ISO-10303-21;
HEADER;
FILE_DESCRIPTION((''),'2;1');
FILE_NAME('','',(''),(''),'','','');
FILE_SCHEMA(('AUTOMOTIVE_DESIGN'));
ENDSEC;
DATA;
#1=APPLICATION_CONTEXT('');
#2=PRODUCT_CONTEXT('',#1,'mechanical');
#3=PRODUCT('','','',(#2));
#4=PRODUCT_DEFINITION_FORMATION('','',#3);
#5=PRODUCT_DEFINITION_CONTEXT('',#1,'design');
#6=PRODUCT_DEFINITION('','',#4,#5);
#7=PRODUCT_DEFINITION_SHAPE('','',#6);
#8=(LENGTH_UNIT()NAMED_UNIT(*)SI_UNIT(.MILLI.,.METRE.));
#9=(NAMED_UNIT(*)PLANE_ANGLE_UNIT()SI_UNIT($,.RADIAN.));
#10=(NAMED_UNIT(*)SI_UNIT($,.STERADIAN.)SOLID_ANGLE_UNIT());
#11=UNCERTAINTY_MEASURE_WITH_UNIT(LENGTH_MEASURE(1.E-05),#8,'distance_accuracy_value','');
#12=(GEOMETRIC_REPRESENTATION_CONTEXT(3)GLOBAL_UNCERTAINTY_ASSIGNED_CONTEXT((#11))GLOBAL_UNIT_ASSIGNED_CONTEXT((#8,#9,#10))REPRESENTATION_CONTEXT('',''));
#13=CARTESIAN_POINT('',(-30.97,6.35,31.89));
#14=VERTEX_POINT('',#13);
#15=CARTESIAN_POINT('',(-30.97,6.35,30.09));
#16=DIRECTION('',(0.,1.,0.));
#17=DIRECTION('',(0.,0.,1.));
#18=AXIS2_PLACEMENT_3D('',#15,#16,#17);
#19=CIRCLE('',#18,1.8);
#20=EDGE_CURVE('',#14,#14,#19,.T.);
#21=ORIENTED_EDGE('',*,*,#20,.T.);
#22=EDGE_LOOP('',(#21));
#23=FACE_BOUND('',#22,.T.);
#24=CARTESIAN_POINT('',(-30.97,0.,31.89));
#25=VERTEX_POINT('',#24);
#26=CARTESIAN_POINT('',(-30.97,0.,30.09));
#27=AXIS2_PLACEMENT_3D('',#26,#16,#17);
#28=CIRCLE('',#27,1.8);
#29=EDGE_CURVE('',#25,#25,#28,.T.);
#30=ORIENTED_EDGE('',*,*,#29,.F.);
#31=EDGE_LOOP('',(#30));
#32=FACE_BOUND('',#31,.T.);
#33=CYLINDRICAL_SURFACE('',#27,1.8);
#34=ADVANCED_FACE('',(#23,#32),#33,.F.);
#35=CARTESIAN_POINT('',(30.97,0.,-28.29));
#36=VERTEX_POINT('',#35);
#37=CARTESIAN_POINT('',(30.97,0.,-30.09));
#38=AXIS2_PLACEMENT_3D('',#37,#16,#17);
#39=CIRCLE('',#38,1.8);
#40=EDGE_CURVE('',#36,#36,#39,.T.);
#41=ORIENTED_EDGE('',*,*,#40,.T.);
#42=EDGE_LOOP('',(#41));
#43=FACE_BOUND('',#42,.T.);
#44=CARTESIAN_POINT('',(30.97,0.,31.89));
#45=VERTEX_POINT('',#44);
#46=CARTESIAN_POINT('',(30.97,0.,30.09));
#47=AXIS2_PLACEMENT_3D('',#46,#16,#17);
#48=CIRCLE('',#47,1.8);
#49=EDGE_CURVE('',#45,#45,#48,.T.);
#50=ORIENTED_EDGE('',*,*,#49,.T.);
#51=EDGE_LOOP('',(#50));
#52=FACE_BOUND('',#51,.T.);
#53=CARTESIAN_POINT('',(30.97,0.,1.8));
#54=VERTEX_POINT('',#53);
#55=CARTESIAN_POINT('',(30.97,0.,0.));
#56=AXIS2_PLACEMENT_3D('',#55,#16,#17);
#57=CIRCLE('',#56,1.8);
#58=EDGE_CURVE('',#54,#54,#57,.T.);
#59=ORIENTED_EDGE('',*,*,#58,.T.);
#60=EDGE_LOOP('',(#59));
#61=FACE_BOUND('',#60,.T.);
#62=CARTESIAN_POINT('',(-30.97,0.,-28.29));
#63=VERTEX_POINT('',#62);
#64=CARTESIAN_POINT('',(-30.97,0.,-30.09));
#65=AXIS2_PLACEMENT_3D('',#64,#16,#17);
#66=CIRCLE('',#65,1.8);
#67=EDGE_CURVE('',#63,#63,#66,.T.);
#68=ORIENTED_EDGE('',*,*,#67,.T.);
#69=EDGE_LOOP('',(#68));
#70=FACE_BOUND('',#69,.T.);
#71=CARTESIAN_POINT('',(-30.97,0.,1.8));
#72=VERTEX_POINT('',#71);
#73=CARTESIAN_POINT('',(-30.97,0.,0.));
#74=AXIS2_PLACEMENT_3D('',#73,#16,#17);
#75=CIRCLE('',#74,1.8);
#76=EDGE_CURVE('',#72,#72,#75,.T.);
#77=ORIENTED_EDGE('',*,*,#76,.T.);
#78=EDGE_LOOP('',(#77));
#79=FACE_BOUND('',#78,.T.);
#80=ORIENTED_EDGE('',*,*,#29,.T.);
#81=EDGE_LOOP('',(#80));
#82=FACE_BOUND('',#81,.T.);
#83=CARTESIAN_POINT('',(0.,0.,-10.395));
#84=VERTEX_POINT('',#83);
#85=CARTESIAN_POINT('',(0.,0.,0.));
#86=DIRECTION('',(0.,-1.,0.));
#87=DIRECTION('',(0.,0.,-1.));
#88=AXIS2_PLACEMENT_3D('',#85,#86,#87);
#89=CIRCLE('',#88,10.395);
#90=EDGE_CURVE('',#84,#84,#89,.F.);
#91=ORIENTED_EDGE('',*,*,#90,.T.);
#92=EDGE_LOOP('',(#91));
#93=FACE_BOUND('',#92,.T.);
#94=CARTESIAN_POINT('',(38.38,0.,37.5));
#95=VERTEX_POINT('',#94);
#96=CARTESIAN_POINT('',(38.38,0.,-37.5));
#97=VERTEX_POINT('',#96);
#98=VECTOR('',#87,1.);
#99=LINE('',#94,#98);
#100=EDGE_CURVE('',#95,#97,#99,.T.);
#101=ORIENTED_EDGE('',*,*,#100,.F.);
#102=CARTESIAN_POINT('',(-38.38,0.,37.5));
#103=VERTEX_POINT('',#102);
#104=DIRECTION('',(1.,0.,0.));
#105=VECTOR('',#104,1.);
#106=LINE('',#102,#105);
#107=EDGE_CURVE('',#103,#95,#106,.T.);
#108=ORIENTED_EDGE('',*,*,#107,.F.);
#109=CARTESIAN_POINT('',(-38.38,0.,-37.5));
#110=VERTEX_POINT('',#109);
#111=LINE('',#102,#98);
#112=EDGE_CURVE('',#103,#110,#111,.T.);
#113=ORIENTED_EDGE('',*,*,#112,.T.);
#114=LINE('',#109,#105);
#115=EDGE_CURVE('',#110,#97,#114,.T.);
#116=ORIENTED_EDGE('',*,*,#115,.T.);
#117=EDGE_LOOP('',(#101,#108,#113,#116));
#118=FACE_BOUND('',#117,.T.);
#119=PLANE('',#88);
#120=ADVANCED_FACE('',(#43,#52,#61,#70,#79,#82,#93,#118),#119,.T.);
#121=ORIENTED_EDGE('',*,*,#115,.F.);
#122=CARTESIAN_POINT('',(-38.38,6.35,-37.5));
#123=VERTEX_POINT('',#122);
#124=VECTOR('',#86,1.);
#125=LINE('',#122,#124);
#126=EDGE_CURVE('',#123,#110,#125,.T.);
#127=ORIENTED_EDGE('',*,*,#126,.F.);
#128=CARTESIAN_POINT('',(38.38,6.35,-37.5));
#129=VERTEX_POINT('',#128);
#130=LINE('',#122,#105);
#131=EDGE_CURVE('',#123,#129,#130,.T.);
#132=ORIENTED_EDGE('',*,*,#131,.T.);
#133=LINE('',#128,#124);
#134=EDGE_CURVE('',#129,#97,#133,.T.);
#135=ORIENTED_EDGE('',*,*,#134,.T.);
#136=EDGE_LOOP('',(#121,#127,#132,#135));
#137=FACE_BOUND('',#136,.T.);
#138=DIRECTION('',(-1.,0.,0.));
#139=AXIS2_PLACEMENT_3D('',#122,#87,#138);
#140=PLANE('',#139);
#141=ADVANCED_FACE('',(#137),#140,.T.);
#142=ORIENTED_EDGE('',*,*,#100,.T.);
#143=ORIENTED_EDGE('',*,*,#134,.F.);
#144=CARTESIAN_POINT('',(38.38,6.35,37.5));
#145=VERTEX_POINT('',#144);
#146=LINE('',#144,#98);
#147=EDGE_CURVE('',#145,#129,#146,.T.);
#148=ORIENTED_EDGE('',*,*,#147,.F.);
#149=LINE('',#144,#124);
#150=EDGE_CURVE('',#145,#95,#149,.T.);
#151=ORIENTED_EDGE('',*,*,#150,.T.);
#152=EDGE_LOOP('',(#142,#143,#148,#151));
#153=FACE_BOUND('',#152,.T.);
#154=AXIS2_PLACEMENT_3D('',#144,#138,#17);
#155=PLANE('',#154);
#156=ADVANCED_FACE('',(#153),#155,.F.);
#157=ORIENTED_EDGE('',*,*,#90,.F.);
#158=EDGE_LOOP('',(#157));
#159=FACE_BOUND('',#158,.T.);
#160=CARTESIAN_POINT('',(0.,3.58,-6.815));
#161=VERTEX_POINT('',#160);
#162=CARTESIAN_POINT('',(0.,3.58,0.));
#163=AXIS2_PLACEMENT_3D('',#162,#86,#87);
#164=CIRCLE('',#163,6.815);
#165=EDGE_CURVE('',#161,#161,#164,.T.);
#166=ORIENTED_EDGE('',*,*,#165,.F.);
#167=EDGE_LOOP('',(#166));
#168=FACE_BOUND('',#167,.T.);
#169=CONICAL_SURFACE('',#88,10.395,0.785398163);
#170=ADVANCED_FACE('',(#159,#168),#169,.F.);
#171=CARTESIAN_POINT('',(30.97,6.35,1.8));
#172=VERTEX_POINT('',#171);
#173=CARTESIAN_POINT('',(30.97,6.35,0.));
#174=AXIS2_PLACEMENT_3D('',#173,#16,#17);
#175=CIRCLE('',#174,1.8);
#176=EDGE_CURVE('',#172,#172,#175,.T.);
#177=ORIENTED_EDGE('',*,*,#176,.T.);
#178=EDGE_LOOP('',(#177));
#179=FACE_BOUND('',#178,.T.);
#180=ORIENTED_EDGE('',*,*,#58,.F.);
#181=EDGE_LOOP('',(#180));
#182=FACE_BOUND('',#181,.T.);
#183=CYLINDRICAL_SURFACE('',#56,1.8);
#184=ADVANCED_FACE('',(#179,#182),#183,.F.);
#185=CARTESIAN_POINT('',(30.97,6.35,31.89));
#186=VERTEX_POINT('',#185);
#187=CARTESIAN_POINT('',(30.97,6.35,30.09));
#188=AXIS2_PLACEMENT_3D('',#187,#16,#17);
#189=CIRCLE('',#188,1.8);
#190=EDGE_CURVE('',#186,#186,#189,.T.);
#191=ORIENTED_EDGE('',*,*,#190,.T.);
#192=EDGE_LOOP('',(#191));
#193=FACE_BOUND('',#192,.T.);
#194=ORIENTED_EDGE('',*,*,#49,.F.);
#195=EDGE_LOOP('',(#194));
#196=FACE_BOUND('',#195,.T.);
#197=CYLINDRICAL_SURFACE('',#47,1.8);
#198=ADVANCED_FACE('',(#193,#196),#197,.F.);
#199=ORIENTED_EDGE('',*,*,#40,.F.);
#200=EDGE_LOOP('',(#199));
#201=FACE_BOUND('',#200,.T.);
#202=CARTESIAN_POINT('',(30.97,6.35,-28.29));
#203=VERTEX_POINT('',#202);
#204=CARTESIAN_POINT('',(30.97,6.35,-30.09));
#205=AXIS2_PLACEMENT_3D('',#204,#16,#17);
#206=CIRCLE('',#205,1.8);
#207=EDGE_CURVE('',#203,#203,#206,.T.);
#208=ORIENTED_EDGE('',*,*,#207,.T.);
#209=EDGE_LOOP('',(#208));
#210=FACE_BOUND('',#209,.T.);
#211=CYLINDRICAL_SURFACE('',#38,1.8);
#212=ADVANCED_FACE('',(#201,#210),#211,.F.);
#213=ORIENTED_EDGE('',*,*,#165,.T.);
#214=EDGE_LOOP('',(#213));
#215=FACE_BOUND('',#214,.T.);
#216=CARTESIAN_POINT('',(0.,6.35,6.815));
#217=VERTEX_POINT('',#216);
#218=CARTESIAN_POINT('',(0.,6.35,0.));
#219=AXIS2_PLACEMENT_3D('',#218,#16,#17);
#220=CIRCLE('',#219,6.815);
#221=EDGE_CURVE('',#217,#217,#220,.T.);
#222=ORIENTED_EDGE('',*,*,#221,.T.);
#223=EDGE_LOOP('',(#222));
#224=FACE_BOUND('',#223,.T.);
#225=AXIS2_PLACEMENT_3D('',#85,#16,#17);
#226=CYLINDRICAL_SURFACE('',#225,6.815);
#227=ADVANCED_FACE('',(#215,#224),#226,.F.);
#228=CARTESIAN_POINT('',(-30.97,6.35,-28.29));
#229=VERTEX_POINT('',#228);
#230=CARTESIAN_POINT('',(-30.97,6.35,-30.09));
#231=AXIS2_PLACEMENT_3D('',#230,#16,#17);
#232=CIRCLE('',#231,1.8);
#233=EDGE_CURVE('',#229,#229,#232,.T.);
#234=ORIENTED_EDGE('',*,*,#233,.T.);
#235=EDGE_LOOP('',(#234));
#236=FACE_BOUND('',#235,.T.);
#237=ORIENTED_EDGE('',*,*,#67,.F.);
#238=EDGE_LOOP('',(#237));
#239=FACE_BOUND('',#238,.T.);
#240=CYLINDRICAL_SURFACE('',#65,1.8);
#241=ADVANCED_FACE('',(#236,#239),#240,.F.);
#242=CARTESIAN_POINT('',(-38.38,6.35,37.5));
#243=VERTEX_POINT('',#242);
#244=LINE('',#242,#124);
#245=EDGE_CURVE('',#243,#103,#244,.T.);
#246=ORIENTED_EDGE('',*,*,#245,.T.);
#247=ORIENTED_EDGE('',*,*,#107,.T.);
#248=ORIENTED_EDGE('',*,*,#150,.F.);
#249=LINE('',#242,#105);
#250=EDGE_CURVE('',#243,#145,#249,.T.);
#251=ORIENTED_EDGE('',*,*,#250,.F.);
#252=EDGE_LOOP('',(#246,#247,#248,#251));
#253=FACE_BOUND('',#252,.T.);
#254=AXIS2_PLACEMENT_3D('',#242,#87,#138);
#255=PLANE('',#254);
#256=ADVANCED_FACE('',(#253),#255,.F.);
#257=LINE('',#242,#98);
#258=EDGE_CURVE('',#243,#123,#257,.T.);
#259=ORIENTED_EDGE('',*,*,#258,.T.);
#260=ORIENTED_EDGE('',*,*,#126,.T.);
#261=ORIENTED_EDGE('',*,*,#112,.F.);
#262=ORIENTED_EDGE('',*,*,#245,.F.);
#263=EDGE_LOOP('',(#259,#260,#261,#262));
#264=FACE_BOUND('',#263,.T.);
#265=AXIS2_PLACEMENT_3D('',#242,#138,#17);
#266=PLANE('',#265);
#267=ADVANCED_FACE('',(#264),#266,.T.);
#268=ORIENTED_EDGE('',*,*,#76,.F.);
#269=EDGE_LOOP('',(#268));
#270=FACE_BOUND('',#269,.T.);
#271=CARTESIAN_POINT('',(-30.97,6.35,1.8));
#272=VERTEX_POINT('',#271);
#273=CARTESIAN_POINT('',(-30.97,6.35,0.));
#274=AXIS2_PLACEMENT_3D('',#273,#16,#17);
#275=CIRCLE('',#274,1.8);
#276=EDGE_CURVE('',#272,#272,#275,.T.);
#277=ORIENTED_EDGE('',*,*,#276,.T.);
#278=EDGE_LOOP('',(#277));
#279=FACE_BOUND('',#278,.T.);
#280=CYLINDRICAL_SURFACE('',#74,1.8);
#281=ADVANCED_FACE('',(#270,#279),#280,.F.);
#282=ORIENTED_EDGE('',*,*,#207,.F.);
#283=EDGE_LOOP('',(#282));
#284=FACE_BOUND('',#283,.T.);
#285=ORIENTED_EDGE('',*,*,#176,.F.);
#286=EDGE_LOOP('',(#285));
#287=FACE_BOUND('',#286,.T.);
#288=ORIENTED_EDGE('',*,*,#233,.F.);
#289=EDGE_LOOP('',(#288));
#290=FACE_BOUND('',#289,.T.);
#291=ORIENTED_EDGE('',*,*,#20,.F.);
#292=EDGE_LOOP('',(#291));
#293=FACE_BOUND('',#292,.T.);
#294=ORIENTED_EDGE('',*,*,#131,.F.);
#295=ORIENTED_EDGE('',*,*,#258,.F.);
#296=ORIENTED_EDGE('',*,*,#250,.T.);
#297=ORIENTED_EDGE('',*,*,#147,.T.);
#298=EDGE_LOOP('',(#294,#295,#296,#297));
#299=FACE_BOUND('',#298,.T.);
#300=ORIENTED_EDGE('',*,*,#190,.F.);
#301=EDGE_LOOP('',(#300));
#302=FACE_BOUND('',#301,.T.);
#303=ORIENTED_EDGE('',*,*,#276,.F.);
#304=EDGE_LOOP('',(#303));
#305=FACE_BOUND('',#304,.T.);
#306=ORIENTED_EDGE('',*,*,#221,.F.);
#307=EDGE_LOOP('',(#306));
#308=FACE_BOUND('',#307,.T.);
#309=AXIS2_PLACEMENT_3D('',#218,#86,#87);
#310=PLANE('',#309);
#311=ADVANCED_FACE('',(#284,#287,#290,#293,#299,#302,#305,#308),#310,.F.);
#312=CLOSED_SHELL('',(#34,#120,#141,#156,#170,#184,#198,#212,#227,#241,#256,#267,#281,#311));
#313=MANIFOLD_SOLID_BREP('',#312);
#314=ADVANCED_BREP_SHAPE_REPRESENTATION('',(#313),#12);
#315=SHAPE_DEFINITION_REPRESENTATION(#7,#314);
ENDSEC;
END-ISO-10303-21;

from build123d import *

# Parameters (mm, degrees)
SKETCH1_W           = 76.76
SKETCH1_H           = 75
BOSS_EXTRUDE1_DEPTH = 6.35
SKETCH2_R           = 6.815
CUT_EXTRUDE1_DEPTH  = 55.033294366
SKETCH3_R           = 1.8
CUT_EXTRUDE2_DEPTH  = 55.033294366
CHAMFER1_SIZE       = 3.58


with BuildPart() as part:
    # Sketch1 → Boss-Extrude1 (new body)
    with BuildSketch(Plane(origin=(0, 0, 0), x_dir=(1, 0, 0), z_dir=(0, 1, 0))):
        Rectangle(SKETCH1_W, SKETCH1_H)
    extrude(amount=BOSS_EXTRUDE1_DEPTH)

    # Sketch2 → Cut-Extrude1 (cut, through all)
    with BuildSketch(Plane(origin=(0, 6.35, 0), x_dir=(1, 0, 0), z_dir=(0, 1, 0))):
        with Locations(Location((0, 0, 0), (0, 0, 270))):
            Circle(SKETCH2_R)
    extrude(amount=-CUT_EXTRUDE1_DEPTH, mode=Mode.SUBTRACT)

    # Sketch3 → Cut-Extrude2 (cut, through all)
    with BuildSketch(Plane(origin=(0, 6.35, 0), x_dir=(1, 0, 0), z_dir=(0, 1, 0))):
        with Locations(Location((-30.97, 30.09, 0), (0, 0, 270))):
            Circle(SKETCH3_R)
        with Locations(Location((-30.97, -30.09, 0), (0, 0, 270))):
            Circle(SKETCH3_R)
        with Locations(Location((30.97, -30.09, 0), (0, 0, 270))):
            Circle(SKETCH3_R)
        with Locations(Location((30.97, 30.09, 0), (0, 0, 270))):
            Circle(SKETCH3_R)
        with Locations(Location((-30.97, 0, 0), (0, 0, 270))):
            Circle(SKETCH3_R)
        with Locations(Location((30.97, 0, 0), (0, 0, 270))):
            Circle(SKETCH3_R)
    extrude(amount=-CUT_EXTRUDE2_DEPTH, mode=Mode.SUBTRACT)

    # Chamfer1
    chamfer1_edges = [part.edges().sort_by_distance(p)[0] for p in [
        (0, 0, -6.815),
    ]]
    chamfer(chamfer1_edges, length=CHAMFER1_SIZE)


solid = part.part
